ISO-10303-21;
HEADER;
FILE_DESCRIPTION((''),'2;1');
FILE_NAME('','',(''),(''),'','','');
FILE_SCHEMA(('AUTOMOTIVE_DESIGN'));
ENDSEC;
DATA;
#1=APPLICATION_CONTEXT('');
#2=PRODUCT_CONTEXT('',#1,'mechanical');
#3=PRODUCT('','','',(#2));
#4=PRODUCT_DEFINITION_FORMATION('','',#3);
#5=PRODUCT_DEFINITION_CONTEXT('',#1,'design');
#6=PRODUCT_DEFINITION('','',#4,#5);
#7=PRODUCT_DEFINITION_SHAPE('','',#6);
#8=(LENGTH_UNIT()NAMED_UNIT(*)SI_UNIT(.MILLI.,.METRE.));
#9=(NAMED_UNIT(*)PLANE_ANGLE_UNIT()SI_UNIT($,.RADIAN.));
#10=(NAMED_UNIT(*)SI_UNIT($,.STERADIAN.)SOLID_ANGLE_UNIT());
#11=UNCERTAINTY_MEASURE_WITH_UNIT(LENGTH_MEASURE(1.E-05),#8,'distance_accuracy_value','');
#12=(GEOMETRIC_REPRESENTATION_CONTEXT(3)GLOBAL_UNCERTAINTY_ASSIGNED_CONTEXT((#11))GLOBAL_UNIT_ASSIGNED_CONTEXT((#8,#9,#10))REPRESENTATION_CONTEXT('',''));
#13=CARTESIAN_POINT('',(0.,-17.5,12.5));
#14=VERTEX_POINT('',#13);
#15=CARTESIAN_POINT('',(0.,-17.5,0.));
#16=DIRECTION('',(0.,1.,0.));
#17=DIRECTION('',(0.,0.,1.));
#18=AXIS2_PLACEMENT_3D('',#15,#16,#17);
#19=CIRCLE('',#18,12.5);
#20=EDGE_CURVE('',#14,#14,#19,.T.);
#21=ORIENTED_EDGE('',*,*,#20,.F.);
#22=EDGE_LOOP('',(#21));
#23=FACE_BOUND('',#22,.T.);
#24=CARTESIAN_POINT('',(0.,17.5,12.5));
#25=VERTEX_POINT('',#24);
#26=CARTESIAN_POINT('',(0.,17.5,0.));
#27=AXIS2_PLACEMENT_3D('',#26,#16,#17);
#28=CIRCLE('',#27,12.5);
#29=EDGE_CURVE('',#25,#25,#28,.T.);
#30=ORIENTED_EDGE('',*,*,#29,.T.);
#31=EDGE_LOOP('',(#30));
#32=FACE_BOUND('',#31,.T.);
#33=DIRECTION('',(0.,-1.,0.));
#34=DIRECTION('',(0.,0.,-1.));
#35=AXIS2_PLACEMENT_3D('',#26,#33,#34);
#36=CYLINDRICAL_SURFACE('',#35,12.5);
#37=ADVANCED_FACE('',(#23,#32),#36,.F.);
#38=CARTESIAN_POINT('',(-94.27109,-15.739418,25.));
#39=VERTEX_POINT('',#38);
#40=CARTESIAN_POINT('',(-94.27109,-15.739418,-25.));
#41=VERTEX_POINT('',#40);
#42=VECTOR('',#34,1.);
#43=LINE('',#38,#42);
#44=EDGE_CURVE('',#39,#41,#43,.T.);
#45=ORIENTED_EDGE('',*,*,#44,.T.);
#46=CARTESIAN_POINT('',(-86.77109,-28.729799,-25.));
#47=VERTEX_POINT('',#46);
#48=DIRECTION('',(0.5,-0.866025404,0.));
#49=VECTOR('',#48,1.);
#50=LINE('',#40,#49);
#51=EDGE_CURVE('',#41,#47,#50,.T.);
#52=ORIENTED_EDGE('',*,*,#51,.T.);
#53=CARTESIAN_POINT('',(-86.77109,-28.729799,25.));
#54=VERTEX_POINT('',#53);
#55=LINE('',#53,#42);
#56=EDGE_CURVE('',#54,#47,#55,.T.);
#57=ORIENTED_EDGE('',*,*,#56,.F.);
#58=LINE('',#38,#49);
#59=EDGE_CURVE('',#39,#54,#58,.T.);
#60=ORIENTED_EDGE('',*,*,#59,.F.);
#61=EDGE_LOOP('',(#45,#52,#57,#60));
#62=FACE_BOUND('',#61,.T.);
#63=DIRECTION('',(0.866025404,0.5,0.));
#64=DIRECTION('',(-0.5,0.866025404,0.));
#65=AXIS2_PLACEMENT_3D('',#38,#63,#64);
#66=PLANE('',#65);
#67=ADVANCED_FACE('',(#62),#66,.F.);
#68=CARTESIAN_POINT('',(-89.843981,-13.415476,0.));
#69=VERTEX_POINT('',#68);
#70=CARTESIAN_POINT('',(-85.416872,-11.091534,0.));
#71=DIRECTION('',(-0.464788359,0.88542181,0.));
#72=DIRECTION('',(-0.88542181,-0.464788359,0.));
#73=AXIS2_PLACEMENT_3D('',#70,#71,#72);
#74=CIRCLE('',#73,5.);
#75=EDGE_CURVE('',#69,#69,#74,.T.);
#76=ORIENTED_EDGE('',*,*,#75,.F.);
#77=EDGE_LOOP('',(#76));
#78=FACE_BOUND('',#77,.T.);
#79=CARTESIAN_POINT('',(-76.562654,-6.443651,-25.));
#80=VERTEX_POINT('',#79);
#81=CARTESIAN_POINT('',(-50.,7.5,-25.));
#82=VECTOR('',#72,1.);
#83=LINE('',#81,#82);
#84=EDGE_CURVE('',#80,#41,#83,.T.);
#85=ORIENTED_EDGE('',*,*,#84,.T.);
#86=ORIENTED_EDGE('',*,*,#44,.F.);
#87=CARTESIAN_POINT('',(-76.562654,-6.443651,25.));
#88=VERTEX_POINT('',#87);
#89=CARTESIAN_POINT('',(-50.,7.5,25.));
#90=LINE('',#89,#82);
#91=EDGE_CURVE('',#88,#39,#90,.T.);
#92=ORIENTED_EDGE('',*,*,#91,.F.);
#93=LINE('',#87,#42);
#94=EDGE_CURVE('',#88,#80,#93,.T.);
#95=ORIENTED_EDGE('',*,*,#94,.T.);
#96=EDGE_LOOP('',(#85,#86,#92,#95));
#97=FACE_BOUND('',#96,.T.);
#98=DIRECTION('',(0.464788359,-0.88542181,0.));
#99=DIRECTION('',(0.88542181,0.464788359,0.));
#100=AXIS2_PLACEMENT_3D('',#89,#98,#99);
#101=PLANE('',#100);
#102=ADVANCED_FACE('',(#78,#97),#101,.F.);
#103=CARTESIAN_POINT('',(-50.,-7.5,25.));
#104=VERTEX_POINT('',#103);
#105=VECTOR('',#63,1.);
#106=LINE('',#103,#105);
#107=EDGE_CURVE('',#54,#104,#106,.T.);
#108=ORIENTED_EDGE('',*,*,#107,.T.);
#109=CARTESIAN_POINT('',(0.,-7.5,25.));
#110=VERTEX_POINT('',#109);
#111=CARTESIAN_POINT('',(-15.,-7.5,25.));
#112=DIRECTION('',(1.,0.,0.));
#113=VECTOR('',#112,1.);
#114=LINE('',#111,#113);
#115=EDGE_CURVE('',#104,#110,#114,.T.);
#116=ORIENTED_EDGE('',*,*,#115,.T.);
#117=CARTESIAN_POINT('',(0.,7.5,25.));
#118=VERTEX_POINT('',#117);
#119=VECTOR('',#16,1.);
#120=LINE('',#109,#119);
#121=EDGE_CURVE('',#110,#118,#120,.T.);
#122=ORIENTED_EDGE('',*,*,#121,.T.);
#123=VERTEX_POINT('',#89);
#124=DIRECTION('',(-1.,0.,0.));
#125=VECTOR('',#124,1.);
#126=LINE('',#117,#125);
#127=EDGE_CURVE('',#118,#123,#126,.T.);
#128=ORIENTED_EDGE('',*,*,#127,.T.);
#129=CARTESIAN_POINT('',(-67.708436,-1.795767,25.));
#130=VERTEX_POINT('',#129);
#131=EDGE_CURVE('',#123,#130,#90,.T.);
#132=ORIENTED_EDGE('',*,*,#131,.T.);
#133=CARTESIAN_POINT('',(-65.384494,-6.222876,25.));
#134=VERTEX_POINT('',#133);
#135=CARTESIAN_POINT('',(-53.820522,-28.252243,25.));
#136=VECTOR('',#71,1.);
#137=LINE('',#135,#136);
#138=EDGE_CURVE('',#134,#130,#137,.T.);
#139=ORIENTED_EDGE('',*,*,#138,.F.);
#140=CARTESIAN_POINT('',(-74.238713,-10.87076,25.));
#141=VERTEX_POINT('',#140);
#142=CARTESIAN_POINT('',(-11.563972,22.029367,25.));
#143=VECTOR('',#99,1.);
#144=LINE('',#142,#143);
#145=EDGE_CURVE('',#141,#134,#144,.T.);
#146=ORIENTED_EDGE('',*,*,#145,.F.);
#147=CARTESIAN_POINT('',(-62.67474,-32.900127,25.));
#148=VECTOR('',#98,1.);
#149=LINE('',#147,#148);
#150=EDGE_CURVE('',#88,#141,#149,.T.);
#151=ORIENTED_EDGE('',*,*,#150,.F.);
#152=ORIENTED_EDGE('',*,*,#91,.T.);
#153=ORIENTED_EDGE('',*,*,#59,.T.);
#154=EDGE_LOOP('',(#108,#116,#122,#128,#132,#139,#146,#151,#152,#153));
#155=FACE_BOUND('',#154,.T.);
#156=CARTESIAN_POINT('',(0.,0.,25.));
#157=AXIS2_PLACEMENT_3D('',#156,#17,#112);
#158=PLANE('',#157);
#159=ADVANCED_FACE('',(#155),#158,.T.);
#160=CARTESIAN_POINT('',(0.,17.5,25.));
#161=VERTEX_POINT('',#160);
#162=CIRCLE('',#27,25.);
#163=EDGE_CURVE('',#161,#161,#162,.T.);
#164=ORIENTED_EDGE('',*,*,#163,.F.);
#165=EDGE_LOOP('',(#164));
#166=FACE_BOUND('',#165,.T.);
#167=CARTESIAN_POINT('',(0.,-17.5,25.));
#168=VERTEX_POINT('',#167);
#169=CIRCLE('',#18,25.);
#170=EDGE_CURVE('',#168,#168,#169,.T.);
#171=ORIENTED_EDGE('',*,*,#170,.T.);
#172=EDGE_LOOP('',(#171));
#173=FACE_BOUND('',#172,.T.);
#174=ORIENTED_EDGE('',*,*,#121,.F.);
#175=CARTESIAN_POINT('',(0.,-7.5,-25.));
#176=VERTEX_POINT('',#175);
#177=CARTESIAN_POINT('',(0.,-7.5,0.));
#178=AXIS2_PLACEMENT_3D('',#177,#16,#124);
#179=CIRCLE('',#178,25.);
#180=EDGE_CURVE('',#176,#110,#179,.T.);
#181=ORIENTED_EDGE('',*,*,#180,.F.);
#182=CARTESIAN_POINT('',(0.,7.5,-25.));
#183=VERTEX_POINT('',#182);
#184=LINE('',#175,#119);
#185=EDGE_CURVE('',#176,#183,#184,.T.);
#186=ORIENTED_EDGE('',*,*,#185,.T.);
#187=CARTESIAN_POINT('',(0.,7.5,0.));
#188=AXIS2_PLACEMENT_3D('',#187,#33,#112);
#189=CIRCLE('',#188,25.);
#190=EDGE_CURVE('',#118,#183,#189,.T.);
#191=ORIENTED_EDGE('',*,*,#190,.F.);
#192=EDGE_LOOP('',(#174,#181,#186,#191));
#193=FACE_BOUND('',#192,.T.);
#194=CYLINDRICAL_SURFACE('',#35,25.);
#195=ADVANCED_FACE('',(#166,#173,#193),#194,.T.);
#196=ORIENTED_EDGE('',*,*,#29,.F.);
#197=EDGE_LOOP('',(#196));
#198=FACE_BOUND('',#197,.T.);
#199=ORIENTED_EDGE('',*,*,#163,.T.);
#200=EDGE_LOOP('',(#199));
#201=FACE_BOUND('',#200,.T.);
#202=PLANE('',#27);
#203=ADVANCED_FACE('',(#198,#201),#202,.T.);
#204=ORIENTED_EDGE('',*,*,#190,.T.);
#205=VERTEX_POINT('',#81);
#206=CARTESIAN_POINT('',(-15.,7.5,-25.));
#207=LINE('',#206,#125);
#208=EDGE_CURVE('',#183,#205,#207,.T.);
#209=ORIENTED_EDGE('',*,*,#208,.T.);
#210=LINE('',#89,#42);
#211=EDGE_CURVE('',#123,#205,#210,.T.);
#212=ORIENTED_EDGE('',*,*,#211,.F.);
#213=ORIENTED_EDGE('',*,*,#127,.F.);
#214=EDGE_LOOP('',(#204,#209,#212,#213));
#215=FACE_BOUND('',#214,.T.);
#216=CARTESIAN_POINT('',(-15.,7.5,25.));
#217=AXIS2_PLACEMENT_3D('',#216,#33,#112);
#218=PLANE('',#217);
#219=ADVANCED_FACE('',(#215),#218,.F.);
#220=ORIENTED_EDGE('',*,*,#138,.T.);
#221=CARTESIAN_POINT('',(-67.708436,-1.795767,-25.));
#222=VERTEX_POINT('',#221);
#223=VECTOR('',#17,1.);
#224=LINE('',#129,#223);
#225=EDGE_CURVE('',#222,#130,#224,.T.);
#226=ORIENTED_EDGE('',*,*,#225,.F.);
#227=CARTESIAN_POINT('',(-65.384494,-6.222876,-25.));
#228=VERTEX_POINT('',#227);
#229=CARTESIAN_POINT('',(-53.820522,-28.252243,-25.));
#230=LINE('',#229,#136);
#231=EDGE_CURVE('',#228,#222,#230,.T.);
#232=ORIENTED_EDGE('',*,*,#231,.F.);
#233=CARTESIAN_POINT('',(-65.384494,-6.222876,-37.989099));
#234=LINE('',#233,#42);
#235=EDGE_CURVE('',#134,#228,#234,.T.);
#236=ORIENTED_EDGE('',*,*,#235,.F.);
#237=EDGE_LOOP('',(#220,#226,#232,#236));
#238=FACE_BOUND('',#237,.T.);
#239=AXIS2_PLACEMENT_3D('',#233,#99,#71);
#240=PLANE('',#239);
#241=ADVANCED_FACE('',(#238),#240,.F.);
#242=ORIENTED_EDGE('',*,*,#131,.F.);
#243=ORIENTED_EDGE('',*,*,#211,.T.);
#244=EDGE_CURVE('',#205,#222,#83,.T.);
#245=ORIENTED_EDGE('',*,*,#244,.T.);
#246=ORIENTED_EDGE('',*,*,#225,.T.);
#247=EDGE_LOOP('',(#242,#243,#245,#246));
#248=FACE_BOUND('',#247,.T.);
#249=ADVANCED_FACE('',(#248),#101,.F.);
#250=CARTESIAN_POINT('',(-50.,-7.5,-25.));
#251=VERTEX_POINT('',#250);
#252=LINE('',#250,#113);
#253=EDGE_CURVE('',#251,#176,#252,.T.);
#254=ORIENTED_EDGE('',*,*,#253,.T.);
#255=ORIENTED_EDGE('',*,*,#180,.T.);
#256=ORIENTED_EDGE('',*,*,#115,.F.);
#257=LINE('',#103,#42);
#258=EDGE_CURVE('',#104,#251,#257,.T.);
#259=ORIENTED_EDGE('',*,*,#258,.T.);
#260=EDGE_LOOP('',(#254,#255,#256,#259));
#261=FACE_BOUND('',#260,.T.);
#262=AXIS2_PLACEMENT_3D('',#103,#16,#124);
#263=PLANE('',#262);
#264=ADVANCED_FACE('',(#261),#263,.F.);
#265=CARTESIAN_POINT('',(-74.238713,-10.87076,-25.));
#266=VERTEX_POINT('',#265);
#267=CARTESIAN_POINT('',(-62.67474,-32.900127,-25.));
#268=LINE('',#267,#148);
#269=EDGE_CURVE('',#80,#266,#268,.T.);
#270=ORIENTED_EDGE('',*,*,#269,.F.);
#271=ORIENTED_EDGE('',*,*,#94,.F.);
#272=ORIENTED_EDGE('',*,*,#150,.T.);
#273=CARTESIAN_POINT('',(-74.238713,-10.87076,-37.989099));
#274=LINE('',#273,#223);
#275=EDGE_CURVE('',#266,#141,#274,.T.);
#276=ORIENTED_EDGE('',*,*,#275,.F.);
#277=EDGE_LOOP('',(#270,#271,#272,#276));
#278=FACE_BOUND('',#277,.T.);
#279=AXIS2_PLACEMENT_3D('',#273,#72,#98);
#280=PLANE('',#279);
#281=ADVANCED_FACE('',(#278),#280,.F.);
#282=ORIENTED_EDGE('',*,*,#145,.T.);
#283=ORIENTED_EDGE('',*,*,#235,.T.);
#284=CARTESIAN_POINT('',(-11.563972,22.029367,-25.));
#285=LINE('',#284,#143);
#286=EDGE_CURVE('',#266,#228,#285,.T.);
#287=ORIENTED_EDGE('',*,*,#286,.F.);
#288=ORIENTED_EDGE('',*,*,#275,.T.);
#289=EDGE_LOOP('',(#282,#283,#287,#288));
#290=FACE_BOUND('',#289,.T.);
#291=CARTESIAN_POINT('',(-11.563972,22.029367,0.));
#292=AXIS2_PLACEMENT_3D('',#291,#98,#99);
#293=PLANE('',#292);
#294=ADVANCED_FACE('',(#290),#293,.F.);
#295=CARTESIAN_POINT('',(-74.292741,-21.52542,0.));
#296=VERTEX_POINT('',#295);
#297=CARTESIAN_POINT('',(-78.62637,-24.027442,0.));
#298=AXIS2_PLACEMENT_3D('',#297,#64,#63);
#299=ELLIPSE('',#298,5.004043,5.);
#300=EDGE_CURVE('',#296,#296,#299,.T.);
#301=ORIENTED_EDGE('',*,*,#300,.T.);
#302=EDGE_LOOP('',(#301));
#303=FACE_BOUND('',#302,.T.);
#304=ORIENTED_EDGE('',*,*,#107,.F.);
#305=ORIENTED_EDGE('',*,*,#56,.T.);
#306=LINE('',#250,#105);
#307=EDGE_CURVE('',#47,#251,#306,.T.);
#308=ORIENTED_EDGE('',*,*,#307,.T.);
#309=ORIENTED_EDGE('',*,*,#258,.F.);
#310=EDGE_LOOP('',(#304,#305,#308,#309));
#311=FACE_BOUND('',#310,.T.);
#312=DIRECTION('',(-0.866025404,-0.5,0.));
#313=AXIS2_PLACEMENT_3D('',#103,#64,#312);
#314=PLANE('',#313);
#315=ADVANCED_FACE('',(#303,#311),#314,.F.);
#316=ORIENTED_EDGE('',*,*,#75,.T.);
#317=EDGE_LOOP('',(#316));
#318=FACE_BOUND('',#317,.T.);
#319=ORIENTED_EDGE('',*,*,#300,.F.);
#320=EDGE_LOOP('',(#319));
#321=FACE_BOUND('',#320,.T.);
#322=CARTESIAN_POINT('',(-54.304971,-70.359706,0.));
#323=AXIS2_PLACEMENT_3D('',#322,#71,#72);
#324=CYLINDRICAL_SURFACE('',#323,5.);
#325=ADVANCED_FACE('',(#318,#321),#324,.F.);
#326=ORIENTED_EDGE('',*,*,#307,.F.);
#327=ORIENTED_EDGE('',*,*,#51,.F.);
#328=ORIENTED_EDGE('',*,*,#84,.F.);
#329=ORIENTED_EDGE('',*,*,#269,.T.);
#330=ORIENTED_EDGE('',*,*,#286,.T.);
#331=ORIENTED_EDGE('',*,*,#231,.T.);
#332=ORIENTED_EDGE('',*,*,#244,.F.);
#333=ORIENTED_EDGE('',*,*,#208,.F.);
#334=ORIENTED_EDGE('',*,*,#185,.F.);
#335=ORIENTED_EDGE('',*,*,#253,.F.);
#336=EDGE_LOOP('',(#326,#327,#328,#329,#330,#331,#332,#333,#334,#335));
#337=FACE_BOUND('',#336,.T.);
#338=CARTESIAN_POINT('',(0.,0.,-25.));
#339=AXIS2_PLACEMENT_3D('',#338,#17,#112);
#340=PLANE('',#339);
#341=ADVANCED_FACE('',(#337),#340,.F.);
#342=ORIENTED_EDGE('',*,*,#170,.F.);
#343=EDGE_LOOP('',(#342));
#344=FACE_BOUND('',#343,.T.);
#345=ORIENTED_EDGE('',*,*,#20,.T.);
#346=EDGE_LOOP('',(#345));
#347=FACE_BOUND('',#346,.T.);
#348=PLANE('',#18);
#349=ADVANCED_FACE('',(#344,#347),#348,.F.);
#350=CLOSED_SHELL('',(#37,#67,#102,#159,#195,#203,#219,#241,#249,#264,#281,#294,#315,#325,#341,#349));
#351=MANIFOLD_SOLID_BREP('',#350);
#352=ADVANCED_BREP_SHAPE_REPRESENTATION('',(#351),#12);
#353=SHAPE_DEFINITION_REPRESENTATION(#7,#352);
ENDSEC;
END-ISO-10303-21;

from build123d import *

# Parameters (mm, degrees)
SKETCH1_R           = 25
SKETCH1_R_2         = 12.5
BOSS_EXTRUDE1_DEPTH = 17.5
BOSS_EXTRUDE2_DEPTH = 25
CUT_EXTRUDE1_START  = -50
SKETCH3_R           = 12.5
CUT_EXTRUDE1_DEPTH  = 50
BOSS_EXTRUDE3_DEPTH = 25
SKETCH5_W           = 10
SKETCH5_H           = 75.978198428
CUT_EXTRUDE2_DEPTH  = 5
SKETCH6_R           = 5
CUT_EXTRUDE3_DEPTH  = 101.657736852


with BuildPart() as part:
    # Sketch1 → Boss-Extrude1 (new, symmetric)
    with BuildSketch(Plane(origin=(0, 0, 0), x_dir=(1, 0, 0), z_dir=(0, 1, 0))):
        with Locations(Location((0, 0, 0), (0, 0, 270))):
            Circle(SKETCH1_R)
        with Locations(Location((0, 0, 0), (0, 0, 270))):
            Circle(SKETCH1_R_2, mode=Mode.SUBTRACT)
    extrude(amount=BOSS_EXTRUDE1_DEPTH, both=True)

    # Sketch2 → Boss-Extrude2 (add, symmetric)
    with BuildSketch(Plane.XY):
        Polygon((-15, 7.5), (-50, 7.5), (-50, -7.5), (-15, -7.5), (0, -7.5), (0, 7.5), align=None)
    extrude(amount=BOSS_EXTRUDE2_DEPTH, both=True)

    # Sketch3 → Cut-Extrude1 (cut)
    with BuildSketch(Plane(origin=(0, 17.5, 0), x_dir=(1, 0, 0), z_dir=(0, 1, 0)).offset(CUT_EXTRUDE1_START)):
        with Locations(Location((0, 0, 0), (0, 0, 270))):
            Circle(SKETCH3_R)
    extrude(amount=CUT_EXTRUDE1_DEPTH, mode=Mode.SUBTRACT)

    # Sketch4 → Boss-Extrude3 (add, symmetric)
    with BuildSketch(Plane.XY):
        Polygon((-50, 7.5), (-94.271090497, -15.73941794), (-86.771090497, -28.729798997), (-50, -7.5), align=None)
    extrude(amount=BOSS_EXTRUDE3_DEPTH, both=True)

    # Sketch5 → Cut-Extrude2 (cut)
    with BuildSketch(Plane(origin=(-13.887914048, 26.456475856, 0), x_dir=(0.8854218099422688, 0.4647883588027534, 0), z_dir=(-0.4647883588027534, 0.8854218099422688, 0))):
        with Locations((-65.785177806, 0)):
            Rectangle(SKETCH5_W, SKETCH5_H)
    extrude(amount=-CUT_EXTRUDE2_DEPTH, mode=Mode.SUBTRACT)

    # Sketch6 → Cut-Extrude3 (cut, through all)
    with BuildSketch(Plane(origin=(-13.887914048, 26.456475856, 0), x_dir=(0.8854218099422688, 0.4647883588027534, 0), z_dir=(-0.4647883588027534, 0.8854218099422688, 0))):
        with Locations(Location((-80.785177806, 0, 0), (0, 0, 180))):
            Circle(SKETCH6_R)
    extrude(amount=-CUT_EXTRUDE3_DEPTH, mode=Mode.SUBTRACT)


solid = part.part
